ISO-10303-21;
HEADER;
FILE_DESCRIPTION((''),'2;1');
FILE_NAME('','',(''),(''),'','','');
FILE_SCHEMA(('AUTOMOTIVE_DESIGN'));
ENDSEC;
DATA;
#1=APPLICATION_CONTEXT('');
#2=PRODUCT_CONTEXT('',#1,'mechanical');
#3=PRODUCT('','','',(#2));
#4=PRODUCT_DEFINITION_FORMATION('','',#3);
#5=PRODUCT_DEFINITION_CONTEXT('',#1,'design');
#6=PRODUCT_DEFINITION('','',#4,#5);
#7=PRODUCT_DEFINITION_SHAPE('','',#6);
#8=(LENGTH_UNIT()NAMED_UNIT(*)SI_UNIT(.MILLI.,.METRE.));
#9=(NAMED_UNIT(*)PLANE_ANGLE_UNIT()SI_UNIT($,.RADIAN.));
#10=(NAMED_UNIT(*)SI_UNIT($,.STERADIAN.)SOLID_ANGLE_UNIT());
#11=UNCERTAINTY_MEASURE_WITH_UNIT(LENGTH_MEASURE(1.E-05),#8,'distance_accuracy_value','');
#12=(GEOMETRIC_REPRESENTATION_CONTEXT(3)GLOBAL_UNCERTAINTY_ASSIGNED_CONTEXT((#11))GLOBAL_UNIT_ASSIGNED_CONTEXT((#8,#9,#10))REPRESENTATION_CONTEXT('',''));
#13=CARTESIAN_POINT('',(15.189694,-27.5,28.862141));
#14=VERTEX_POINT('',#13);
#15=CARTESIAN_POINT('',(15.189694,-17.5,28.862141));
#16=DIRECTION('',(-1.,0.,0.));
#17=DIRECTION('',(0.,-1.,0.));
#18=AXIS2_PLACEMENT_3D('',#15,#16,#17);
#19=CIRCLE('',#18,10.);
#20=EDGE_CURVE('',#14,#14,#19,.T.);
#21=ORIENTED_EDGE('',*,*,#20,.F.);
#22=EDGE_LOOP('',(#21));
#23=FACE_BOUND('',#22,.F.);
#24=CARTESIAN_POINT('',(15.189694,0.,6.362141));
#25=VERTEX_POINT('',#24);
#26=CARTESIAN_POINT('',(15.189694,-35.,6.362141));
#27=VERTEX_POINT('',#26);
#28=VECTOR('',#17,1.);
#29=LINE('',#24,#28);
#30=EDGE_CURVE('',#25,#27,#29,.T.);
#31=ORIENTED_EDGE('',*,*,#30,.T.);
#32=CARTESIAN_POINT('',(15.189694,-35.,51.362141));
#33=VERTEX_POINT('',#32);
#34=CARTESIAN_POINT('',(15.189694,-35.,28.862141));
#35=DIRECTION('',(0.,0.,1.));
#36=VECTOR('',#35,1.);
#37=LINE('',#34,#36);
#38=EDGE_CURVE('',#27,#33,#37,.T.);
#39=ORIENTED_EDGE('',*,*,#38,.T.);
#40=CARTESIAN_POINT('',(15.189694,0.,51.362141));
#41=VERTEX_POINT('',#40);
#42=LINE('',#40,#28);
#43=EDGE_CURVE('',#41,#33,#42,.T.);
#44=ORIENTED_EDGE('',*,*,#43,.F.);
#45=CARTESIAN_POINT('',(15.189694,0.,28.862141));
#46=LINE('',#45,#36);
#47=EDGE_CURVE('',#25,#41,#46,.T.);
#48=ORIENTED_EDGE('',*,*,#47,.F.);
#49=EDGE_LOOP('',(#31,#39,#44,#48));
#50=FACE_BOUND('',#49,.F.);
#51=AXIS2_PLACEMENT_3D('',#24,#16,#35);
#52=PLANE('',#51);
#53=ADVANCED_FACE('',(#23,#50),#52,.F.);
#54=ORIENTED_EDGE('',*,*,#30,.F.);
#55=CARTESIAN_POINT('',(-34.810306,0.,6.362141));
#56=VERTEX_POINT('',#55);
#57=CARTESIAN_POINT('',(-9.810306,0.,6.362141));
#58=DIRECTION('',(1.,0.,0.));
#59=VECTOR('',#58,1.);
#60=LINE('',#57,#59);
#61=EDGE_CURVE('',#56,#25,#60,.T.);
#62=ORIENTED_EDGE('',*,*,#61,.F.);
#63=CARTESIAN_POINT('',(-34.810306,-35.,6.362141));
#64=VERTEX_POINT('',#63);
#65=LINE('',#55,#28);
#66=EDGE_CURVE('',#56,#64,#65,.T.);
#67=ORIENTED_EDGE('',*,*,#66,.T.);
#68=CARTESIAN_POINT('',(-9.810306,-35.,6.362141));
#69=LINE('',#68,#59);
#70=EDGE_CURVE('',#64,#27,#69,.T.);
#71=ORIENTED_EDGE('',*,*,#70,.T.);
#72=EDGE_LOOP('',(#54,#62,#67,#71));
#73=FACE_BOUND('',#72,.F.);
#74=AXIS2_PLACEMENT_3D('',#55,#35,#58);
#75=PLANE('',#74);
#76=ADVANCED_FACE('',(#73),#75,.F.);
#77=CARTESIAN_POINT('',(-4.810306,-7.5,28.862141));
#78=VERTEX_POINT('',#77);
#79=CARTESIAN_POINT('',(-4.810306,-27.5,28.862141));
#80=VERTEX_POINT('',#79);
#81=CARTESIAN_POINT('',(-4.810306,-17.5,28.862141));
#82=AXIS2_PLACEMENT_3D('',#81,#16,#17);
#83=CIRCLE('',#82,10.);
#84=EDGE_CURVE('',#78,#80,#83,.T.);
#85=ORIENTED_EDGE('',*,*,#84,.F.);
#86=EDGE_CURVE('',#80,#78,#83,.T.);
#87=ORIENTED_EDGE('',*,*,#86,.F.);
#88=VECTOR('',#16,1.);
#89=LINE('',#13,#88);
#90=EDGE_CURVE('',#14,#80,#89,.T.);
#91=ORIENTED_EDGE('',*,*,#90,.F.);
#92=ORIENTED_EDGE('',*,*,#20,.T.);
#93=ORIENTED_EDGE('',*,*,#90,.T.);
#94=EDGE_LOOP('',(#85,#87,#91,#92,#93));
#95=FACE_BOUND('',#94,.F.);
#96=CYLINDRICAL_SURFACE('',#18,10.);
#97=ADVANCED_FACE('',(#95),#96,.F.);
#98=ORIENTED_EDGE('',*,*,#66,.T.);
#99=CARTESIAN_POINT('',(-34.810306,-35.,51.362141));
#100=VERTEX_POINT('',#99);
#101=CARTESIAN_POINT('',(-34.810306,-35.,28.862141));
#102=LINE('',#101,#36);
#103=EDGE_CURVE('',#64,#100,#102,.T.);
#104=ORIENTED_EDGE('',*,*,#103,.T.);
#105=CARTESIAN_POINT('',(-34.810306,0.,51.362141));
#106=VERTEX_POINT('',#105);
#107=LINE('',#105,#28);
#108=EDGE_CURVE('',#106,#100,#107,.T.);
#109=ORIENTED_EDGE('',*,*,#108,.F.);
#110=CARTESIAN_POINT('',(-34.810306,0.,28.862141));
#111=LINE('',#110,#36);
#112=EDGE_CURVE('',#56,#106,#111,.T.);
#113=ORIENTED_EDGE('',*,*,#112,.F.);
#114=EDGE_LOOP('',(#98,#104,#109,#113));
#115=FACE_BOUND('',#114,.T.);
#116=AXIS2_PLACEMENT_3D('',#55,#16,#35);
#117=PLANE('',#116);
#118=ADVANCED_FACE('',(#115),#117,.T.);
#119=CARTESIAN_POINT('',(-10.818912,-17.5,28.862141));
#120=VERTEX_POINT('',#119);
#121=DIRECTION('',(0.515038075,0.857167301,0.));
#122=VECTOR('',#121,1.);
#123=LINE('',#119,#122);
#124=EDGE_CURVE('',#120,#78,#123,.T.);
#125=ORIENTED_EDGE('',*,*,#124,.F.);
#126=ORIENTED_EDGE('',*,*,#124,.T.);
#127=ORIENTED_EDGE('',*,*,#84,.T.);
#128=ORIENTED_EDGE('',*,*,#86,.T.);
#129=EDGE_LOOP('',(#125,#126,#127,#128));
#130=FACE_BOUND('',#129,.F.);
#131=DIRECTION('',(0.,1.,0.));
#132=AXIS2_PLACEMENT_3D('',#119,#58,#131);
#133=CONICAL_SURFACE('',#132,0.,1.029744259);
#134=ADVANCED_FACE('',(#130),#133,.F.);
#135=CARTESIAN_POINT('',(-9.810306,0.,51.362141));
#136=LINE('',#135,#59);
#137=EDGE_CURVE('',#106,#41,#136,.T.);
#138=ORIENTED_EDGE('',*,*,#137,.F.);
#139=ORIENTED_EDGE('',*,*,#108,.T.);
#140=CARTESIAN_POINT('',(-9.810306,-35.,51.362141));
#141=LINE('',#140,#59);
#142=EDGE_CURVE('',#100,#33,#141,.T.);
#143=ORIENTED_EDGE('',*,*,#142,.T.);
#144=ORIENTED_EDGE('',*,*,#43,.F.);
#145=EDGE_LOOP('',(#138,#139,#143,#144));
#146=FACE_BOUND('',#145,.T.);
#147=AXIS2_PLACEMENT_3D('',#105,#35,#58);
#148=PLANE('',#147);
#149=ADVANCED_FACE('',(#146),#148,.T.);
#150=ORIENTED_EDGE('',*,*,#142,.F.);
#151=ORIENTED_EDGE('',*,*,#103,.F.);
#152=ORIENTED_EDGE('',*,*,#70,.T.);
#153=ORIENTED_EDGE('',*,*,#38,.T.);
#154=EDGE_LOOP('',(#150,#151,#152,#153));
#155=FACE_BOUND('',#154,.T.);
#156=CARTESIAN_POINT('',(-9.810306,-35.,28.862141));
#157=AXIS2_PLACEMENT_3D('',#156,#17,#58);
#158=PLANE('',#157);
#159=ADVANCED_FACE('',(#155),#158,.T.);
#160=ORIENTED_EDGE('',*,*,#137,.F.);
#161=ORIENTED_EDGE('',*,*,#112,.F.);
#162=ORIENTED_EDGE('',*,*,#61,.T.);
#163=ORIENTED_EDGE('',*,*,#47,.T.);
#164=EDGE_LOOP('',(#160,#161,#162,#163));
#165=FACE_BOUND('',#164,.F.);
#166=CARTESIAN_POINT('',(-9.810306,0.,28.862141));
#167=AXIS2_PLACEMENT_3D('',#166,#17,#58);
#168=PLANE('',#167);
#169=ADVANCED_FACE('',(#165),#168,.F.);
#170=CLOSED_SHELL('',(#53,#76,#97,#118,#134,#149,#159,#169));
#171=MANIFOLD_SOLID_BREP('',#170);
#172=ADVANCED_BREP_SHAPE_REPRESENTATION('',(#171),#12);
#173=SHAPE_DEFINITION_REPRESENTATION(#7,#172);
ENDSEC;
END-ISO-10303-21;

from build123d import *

# Parameters (mm, degrees)
F0_W           = 50
F0_H           = 45
F1_DEPTH       = 35
F3_D           = 20
F3_DEPTH       = 20
F3_CBORE_D     = 20
F3_CBORE_DEPTH = 0
F3_TIP         = 6.0086061903


with BuildPart() as f1:
    # F0 (on Front) → F1 (new body)
    with BuildSketch(Plane.XZ):
        with Locations((-9.8103056662, 28.8621410192)):
            Rectangle(F0_W, F0_H)
    extrude(amount=F1_DEPTH)

    # F3
    with Locations(Plane.YZ.offset(15.1896943338)):
        with Locations((-17.5, 28.8621410192)):
            CounterBoreHole(F3_D / 2, F3_CBORE_D / 2, F3_CBORE_DEPTH, depth=F3_DEPTH)
            with Locations((0, 0, -(F3_DEPTH + F3_TIP / 2))):  # 118° drill point
                Cone(0, F3_D / 2, F3_TIP, mode=Mode.SUBTRACT)


solid = f1.part
